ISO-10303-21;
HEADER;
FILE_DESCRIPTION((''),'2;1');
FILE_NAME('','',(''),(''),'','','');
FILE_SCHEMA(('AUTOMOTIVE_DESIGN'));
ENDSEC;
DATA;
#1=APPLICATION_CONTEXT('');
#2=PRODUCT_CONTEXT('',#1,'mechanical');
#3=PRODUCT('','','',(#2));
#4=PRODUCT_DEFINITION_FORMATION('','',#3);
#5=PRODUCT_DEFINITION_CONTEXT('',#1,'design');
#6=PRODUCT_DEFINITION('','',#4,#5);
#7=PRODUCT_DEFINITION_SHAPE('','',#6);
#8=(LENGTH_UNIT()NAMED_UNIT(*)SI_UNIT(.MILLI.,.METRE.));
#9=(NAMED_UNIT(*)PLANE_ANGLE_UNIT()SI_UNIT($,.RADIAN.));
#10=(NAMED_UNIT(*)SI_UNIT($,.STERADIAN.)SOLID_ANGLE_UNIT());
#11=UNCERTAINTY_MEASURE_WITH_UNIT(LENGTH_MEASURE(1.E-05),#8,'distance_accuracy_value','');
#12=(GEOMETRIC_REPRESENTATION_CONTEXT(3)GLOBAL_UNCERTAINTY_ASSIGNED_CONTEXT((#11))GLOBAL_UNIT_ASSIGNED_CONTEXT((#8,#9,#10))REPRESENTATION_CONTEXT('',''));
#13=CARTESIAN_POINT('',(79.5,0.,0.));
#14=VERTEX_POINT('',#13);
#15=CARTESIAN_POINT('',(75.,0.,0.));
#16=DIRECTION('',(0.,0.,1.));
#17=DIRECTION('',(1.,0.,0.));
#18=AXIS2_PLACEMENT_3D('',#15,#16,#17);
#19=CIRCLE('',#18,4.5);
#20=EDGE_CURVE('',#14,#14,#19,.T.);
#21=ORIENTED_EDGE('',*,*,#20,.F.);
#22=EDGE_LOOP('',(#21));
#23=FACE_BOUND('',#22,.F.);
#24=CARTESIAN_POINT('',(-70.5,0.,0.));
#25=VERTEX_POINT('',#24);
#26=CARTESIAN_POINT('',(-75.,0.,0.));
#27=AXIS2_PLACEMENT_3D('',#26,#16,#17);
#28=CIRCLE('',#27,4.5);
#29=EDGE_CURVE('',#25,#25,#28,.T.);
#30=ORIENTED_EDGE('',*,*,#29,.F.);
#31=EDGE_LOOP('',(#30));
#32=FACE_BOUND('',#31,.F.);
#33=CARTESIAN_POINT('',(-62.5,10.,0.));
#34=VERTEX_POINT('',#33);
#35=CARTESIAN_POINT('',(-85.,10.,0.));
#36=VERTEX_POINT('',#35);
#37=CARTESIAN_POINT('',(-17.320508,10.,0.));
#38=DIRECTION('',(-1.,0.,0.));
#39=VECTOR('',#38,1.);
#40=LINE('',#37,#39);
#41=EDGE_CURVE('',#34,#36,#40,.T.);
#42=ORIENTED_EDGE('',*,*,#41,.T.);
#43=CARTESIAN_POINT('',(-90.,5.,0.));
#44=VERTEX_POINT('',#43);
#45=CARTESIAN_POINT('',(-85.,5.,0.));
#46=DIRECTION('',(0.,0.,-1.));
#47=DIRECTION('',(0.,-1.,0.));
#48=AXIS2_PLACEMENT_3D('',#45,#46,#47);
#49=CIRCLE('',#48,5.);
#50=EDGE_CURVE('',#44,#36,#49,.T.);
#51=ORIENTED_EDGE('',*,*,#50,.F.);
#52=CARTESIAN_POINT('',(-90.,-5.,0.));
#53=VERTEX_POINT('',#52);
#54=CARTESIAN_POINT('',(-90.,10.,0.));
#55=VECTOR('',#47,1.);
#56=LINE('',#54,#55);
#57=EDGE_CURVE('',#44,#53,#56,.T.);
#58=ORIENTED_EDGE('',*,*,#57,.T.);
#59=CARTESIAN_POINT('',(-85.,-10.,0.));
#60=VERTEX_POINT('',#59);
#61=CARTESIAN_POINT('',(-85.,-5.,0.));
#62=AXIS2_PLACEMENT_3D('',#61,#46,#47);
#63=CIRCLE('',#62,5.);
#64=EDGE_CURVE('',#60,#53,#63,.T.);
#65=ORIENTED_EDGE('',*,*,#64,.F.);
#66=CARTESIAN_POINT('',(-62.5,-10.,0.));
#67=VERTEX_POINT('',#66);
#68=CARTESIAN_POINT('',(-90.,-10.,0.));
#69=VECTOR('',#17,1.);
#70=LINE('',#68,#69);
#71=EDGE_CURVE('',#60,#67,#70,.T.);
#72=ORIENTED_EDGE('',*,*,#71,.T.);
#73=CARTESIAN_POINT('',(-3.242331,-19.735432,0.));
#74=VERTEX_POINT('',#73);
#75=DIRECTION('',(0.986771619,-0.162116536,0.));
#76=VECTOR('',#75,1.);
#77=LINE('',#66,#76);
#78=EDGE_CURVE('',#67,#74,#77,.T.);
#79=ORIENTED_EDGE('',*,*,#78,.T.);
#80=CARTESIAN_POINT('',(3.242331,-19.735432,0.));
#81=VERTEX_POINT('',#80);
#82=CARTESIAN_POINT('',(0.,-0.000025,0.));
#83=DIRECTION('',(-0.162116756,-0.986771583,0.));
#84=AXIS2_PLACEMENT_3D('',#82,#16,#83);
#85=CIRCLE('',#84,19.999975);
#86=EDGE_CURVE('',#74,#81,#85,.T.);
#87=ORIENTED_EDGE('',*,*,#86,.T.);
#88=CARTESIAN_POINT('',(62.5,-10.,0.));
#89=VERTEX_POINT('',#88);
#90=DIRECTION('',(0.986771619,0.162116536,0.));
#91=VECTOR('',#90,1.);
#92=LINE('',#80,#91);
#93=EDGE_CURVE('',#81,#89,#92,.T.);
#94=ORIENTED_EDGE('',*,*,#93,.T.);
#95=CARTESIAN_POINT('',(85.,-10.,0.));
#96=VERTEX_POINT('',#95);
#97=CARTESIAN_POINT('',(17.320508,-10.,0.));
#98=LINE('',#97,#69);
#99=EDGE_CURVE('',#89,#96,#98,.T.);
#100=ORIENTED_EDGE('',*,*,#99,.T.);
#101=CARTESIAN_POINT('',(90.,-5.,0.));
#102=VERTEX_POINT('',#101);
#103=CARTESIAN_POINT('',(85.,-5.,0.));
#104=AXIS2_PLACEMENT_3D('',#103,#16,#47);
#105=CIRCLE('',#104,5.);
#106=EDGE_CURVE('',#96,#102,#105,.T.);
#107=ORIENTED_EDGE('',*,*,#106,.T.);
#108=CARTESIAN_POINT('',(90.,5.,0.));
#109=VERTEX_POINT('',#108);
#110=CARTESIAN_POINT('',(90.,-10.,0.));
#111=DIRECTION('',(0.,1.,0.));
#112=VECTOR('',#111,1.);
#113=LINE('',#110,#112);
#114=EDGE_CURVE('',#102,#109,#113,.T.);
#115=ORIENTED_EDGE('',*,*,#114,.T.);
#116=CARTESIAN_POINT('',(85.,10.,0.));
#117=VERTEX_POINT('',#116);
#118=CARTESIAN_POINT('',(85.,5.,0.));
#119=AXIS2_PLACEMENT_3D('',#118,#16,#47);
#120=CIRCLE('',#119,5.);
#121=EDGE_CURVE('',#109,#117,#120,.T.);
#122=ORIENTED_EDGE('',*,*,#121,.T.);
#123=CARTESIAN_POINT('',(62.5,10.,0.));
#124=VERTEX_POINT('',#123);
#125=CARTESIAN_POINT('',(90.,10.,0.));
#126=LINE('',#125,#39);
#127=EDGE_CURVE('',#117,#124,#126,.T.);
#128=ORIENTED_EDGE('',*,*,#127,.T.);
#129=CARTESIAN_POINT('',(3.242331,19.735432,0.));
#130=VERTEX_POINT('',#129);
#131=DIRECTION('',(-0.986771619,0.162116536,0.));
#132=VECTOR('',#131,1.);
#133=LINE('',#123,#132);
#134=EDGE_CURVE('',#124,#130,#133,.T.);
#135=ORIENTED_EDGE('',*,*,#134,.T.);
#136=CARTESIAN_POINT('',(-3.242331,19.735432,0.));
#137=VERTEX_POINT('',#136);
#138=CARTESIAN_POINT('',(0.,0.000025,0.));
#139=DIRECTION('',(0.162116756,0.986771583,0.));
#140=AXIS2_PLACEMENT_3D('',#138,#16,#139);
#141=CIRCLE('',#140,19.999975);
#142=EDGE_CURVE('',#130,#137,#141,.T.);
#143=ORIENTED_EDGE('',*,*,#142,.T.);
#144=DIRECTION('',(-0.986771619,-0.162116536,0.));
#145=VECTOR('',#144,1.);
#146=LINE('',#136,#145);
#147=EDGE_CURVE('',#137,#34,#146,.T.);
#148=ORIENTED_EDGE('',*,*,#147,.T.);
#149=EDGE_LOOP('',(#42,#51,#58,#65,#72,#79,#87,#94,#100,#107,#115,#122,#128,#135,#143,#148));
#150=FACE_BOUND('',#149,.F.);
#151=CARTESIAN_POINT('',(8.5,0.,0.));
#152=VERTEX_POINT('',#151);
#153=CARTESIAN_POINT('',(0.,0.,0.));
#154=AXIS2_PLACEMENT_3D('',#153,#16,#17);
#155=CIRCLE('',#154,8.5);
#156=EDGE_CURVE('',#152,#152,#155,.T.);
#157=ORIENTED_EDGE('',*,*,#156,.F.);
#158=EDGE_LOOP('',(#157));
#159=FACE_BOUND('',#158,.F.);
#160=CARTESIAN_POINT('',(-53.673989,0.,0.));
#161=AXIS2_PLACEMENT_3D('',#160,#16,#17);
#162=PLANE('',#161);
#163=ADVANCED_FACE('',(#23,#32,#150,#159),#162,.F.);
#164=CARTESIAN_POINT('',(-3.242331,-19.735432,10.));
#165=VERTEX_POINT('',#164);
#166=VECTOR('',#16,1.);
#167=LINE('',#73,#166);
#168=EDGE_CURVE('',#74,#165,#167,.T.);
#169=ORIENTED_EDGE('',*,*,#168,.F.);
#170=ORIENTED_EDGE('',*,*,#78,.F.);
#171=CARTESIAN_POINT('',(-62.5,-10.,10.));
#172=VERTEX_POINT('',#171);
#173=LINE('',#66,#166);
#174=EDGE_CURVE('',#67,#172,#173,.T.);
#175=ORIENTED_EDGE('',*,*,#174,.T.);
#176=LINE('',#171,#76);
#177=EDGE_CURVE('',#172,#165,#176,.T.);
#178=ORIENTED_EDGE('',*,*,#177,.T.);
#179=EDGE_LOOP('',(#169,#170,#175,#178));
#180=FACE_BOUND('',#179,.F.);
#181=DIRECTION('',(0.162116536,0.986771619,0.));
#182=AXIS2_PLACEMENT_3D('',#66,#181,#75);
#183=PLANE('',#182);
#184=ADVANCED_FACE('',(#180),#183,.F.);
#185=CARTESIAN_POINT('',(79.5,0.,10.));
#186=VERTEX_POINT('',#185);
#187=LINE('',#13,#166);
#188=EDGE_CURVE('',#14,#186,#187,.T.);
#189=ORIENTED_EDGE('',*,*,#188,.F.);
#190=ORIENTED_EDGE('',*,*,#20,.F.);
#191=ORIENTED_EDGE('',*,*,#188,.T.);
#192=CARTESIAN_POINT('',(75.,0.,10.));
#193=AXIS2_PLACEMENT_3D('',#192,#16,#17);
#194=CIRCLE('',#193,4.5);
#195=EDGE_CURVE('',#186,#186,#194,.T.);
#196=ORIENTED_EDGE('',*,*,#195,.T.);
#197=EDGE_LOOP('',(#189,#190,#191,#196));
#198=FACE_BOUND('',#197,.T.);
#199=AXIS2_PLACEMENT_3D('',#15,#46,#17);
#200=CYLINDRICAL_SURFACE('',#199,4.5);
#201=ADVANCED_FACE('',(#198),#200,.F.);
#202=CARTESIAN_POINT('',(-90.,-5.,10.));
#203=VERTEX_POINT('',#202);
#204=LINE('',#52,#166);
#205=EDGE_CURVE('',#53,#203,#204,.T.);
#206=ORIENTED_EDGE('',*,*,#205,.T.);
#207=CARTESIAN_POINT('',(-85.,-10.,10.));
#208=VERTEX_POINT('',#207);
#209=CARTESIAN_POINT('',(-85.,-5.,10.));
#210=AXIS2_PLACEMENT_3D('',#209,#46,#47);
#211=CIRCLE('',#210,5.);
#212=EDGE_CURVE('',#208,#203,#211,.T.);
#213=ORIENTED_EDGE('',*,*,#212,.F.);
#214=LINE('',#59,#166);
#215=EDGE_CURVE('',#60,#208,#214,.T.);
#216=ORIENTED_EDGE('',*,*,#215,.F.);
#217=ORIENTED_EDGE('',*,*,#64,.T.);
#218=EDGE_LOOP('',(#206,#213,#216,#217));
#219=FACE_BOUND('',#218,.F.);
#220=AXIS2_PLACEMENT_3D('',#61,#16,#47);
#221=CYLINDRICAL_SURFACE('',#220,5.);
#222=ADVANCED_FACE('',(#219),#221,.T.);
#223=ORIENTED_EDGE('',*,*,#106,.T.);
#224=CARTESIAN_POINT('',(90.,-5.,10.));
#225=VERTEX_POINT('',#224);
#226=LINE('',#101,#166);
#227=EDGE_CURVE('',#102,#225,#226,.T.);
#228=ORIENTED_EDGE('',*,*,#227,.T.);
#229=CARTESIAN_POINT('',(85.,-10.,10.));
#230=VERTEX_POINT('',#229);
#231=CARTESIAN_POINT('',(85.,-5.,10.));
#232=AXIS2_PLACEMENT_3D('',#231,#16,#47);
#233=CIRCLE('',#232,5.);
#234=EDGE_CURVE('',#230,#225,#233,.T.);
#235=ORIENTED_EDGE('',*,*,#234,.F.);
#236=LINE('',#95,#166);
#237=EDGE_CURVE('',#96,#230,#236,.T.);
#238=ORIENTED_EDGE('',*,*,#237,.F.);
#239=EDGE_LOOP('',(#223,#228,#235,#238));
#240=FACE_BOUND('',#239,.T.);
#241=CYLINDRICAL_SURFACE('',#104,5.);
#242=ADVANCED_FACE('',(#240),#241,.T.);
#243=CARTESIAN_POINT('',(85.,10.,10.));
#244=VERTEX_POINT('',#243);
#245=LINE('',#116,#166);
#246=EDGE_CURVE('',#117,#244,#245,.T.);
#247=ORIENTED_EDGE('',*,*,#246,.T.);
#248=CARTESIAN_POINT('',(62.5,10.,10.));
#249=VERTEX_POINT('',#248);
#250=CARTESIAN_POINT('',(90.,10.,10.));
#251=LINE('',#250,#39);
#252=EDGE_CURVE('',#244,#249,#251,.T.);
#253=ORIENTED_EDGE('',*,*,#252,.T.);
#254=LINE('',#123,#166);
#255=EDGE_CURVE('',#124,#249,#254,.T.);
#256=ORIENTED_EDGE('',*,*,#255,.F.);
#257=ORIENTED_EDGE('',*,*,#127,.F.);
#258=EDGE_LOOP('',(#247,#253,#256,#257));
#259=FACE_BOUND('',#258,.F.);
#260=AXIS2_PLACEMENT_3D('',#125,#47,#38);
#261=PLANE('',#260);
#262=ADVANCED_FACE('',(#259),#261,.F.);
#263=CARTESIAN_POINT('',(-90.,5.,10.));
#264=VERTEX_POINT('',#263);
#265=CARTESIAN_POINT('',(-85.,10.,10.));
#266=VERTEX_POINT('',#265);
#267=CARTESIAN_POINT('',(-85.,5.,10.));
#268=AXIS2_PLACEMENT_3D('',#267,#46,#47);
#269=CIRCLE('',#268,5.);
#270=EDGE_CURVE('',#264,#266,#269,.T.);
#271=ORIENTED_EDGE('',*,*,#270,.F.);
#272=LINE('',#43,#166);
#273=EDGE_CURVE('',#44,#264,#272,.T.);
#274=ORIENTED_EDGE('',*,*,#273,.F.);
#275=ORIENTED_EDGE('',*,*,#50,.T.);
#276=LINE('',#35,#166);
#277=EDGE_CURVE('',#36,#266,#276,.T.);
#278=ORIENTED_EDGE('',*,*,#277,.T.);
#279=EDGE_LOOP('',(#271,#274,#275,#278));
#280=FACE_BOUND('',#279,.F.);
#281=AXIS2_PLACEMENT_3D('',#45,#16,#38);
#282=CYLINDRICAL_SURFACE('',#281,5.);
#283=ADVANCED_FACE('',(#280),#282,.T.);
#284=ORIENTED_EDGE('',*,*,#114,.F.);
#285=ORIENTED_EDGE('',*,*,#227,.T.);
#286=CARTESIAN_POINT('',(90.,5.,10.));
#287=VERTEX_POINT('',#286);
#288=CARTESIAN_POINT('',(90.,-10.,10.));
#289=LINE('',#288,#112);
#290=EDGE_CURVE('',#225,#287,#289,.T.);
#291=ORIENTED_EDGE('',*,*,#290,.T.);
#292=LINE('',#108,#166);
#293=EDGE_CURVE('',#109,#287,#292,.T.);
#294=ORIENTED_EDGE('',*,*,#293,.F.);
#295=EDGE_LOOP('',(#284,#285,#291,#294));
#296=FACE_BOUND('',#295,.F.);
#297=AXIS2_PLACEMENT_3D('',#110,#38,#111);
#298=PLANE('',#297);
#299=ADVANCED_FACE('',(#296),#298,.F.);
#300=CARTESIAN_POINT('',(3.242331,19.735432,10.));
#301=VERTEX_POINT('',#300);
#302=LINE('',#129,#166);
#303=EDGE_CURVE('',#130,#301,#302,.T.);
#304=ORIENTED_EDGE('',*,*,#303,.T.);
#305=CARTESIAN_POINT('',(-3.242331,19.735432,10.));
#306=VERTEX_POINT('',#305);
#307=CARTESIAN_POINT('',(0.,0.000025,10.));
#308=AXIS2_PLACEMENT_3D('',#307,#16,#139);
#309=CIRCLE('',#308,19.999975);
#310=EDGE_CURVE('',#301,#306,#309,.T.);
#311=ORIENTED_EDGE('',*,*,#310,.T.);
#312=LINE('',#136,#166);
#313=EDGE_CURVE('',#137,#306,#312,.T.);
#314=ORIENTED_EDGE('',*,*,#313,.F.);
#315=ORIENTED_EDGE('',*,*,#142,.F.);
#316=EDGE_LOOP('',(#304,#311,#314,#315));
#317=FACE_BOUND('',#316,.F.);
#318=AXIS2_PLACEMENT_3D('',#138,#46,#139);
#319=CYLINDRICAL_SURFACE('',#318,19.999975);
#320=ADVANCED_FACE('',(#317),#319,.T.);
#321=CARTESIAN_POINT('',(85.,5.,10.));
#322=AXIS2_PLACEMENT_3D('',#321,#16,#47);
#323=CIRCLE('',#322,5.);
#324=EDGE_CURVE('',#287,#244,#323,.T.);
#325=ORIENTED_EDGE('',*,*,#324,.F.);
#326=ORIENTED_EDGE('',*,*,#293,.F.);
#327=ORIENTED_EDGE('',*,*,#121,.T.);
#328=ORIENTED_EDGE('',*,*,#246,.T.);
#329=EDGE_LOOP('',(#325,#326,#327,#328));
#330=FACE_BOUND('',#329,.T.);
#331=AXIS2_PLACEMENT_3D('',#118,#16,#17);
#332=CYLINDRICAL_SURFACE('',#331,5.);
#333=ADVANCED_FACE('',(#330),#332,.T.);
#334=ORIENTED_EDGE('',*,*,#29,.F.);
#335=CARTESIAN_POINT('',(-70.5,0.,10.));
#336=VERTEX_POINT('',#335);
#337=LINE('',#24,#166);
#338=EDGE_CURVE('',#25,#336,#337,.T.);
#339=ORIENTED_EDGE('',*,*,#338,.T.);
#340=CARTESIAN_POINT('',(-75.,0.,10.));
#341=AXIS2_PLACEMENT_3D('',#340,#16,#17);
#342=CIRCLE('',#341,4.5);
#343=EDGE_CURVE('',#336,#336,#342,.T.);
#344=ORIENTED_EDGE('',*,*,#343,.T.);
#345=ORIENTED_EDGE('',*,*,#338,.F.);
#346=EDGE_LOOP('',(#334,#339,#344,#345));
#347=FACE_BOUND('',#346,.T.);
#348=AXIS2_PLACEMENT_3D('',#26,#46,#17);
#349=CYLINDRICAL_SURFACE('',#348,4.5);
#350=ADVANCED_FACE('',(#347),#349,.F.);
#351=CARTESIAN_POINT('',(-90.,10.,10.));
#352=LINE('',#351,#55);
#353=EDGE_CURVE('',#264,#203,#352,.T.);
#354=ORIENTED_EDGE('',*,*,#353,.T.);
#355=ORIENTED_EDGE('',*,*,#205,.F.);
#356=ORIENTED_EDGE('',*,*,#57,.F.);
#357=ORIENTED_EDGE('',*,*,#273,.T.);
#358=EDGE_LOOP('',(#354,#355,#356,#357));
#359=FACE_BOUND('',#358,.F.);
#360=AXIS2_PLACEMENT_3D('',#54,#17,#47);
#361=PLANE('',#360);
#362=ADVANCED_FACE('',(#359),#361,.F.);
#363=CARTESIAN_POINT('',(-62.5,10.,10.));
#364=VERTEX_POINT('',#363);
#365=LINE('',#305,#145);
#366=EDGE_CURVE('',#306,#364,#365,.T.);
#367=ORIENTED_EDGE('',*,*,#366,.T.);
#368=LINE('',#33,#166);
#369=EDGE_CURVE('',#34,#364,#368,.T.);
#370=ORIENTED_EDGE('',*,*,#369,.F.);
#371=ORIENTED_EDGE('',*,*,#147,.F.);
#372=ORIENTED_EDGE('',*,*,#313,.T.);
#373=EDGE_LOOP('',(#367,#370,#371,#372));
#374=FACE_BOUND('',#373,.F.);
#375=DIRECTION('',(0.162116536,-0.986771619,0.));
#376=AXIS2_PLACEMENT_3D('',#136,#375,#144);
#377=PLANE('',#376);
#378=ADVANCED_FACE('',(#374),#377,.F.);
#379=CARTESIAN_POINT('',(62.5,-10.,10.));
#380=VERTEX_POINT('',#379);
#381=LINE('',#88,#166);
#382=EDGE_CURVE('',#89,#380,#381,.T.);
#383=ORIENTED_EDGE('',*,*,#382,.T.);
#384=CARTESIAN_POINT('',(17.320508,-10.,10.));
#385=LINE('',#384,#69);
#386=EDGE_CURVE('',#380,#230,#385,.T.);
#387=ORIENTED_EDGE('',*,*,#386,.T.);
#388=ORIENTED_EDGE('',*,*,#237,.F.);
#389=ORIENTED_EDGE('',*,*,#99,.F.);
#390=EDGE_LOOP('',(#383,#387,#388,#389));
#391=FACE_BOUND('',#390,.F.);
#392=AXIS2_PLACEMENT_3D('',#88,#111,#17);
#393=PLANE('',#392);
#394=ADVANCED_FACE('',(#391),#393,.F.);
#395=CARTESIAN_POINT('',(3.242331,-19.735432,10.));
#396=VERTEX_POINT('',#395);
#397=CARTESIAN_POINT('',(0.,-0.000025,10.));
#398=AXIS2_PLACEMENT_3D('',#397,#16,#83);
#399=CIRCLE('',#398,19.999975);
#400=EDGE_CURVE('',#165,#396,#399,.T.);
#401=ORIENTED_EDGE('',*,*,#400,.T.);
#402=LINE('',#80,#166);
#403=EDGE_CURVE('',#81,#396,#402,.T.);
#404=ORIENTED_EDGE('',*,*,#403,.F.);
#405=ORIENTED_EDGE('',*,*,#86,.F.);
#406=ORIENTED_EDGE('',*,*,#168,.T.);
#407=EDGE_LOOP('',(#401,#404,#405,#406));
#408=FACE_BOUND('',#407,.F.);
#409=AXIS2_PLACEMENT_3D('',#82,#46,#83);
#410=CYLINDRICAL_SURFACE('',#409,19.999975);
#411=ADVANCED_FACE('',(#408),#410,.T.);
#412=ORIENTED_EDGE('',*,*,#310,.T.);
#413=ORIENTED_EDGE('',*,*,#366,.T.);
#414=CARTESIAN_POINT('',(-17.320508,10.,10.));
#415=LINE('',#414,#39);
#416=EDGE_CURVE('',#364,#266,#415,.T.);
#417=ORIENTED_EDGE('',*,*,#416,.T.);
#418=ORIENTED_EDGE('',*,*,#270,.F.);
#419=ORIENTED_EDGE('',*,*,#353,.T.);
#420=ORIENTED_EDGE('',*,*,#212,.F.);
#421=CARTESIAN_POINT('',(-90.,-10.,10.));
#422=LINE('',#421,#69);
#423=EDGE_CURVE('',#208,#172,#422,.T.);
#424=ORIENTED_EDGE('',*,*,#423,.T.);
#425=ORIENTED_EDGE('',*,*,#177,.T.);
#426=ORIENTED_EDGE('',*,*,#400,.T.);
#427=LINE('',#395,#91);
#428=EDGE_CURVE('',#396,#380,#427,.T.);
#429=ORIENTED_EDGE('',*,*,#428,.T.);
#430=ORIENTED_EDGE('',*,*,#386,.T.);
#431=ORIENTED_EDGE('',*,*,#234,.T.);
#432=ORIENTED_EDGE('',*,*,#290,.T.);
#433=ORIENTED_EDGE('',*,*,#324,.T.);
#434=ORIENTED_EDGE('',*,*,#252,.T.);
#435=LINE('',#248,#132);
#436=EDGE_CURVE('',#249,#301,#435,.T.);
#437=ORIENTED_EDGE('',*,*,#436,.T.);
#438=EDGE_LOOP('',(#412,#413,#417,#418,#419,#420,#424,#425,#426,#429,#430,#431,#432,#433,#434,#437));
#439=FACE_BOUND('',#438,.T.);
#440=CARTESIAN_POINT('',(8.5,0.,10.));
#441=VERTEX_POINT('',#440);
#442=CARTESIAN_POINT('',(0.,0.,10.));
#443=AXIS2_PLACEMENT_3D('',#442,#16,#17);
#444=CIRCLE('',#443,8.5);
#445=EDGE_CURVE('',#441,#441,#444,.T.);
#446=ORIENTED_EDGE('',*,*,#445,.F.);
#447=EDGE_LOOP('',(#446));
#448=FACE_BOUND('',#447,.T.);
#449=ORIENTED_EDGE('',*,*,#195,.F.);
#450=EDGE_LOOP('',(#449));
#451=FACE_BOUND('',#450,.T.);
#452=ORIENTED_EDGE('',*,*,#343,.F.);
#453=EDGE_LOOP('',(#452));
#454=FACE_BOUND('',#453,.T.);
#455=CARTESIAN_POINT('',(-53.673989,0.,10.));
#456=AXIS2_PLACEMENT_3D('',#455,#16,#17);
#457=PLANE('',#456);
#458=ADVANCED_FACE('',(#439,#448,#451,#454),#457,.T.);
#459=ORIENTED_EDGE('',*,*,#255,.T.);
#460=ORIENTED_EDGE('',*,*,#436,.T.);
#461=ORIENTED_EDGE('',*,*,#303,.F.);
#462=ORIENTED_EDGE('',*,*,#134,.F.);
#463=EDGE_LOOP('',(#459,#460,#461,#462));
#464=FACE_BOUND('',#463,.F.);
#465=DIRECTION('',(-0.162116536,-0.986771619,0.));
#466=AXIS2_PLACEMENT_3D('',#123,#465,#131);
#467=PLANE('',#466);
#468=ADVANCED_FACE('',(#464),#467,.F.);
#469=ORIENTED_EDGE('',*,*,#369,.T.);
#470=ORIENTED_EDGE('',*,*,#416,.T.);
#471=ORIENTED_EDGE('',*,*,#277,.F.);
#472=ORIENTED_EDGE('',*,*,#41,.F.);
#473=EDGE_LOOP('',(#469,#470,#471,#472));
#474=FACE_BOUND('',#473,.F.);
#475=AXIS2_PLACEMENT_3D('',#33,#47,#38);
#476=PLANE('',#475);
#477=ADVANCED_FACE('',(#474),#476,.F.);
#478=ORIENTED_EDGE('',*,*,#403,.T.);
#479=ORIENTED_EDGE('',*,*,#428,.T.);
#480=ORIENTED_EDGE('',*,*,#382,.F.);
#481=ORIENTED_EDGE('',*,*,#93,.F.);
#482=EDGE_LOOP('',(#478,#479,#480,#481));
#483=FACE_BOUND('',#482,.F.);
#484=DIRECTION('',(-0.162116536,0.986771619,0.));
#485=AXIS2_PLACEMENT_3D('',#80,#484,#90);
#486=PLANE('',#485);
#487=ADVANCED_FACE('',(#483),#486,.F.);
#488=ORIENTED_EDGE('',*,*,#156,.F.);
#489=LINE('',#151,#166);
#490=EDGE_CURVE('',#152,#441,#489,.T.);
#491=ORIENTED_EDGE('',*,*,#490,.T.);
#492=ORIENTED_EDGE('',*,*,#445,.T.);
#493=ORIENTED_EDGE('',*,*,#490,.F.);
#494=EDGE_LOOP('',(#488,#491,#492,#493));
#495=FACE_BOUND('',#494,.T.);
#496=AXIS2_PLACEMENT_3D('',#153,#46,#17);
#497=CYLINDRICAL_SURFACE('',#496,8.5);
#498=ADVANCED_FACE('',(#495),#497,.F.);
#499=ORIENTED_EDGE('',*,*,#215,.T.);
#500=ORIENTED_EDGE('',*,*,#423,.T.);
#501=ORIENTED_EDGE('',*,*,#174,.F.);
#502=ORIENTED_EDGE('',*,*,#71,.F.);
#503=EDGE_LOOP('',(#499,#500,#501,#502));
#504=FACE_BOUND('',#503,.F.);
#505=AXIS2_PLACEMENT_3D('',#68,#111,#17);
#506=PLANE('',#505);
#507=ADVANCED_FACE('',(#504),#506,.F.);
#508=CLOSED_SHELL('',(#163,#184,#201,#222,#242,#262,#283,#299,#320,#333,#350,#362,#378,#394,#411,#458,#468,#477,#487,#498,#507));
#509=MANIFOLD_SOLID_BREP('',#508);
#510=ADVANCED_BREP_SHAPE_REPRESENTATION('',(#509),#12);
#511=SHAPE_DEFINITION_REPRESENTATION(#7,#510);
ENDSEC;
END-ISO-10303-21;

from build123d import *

# Parameters (mm, degrees)
F0_R     = 4.5
F0_R_2   = 8.5
F1_DEPTH = 10
F2_R     = 5


with BuildPart() as f1:
    # F0 (on Top) → F1 (new body)
    with BuildSketch(Plane.XY):
        with BuildLine():
            Line((-62.5, 10), (-90, 10))
            Line((-90, 10), (-90, -10))
            Line((-90, -10), (-62.5, -10))
            Line((-62.5, -10), (-17.320508, -10))
            ThreePointArc((-17.320508, -10), (-20, 0), (-17.320508, 10))
            Line((-17.320508, 10), (-62.5, 10))
        make_face()
        with Locations((-75, 0)):
            Circle(F0_R, mode=Mode.SUBTRACT)
        with BuildLine():
            Line((-3.242331, 19.735432), (-62.5, 10))
            Line((-62.5, 10), (-17.320508, 10))
            ThreePointArc((-17.320508, 10), (-11.375511, 16.449856), (-3.242331, 19.735432))
        make_face()
        with BuildLine():
            ThreePointArc((-3.242331, 19.735432), (-11.375511, 16.449856), (-17.320508, 10))
            Line((-17.320508, 10), (17.320508, 10))
            ThreePointArc((17.320508, 10), (11.375511, 16.449856), (3.242331, 19.735432))
            ThreePointArc((3.242331, 19.735432), (0, 20), (-3.242331, 19.735432))
        make_face()
        with BuildLine():
            Line((-17.320508, -10), (-62.5, -10))
            Line((-62.5, -10), (-3.242331, -19.735432))
            ThreePointArc((-3.242331, -19.735432), (-11.375511, -16.449856), (-17.320508, -10))
        make_face()
        with BuildLine():
            ThreePointArc((3.242331, 19.735432), (11.375511, 16.449856), (17.320508, 10))
            Line((17.320508, 10), (62.5, 10))
            Line((62.5, 10), (3.242331, 19.735432))
        make_face()
        with BuildLine():
            Line((62.5, 10), (17.320508, 10))
            ThreePointArc((17.320508, 10), (19.318517, 5.176381), (20, 0))
            ThreePointArc((20, 0), (19.318517, -5.176381), (17.320508, -10))
            Line((17.320508, -10), (62.5, -10))
            Line((62.5, -10), (90, -10))
            Line((90, -10), (90, 10))
            Line((90, 10), (62.5, 10))
        make_face()
        with Locations((75, 0)):
            Circle(F0_R, mode=Mode.SUBTRACT)
        with BuildLine():
            Line((17.320508, -10), (-17.320508, -10))
            ThreePointArc((-17.320508, -10), (-11.375511, -16.449856), (-3.242331, -19.735432))
            ThreePointArc((-3.242331, -19.735432), (0, -20), (3.242331, -19.735432))
            ThreePointArc((3.242331, -19.735432), (11.375511, -16.449856), (17.320508, -10))
        make_face()
        with BuildLine():
            Line((62.5, -10), (17.320508, -10))
            ThreePointArc((17.320508, -10), (11.375511, -16.449856), (3.242331, -19.735432))
            Line((3.242331, -19.735432), (62.5, -10))
        make_face()
        with BuildLine():
            Line((17.320508, 10), (-17.320508, 10))
            ThreePointArc((-17.320508, 10), (-20, 0), (-17.320508, -10))
            Line((-17.320508, -10), (17.320508, -10))
            ThreePointArc((17.320508, -10), (19.318517, -5.176381), (20, 0))
            ThreePointArc((20, 0), (19.318517, 5.176381), (17.320508, 10))
        make_face()
        Circle(F0_R_2, mode=Mode.SUBTRACT)
    extrude(amount=F1_DEPTH)

    # F2
    f2_edges = [f1.edges().sort_by_distance(p)[0] for p in [
        (-90, -10, 5),
        (-90, 10, 5),
        (90, -10, 5),
        (90, 10, 5),
    ]]
    fillet(f2_edges, radius=F2_R)


solid = f1.part
